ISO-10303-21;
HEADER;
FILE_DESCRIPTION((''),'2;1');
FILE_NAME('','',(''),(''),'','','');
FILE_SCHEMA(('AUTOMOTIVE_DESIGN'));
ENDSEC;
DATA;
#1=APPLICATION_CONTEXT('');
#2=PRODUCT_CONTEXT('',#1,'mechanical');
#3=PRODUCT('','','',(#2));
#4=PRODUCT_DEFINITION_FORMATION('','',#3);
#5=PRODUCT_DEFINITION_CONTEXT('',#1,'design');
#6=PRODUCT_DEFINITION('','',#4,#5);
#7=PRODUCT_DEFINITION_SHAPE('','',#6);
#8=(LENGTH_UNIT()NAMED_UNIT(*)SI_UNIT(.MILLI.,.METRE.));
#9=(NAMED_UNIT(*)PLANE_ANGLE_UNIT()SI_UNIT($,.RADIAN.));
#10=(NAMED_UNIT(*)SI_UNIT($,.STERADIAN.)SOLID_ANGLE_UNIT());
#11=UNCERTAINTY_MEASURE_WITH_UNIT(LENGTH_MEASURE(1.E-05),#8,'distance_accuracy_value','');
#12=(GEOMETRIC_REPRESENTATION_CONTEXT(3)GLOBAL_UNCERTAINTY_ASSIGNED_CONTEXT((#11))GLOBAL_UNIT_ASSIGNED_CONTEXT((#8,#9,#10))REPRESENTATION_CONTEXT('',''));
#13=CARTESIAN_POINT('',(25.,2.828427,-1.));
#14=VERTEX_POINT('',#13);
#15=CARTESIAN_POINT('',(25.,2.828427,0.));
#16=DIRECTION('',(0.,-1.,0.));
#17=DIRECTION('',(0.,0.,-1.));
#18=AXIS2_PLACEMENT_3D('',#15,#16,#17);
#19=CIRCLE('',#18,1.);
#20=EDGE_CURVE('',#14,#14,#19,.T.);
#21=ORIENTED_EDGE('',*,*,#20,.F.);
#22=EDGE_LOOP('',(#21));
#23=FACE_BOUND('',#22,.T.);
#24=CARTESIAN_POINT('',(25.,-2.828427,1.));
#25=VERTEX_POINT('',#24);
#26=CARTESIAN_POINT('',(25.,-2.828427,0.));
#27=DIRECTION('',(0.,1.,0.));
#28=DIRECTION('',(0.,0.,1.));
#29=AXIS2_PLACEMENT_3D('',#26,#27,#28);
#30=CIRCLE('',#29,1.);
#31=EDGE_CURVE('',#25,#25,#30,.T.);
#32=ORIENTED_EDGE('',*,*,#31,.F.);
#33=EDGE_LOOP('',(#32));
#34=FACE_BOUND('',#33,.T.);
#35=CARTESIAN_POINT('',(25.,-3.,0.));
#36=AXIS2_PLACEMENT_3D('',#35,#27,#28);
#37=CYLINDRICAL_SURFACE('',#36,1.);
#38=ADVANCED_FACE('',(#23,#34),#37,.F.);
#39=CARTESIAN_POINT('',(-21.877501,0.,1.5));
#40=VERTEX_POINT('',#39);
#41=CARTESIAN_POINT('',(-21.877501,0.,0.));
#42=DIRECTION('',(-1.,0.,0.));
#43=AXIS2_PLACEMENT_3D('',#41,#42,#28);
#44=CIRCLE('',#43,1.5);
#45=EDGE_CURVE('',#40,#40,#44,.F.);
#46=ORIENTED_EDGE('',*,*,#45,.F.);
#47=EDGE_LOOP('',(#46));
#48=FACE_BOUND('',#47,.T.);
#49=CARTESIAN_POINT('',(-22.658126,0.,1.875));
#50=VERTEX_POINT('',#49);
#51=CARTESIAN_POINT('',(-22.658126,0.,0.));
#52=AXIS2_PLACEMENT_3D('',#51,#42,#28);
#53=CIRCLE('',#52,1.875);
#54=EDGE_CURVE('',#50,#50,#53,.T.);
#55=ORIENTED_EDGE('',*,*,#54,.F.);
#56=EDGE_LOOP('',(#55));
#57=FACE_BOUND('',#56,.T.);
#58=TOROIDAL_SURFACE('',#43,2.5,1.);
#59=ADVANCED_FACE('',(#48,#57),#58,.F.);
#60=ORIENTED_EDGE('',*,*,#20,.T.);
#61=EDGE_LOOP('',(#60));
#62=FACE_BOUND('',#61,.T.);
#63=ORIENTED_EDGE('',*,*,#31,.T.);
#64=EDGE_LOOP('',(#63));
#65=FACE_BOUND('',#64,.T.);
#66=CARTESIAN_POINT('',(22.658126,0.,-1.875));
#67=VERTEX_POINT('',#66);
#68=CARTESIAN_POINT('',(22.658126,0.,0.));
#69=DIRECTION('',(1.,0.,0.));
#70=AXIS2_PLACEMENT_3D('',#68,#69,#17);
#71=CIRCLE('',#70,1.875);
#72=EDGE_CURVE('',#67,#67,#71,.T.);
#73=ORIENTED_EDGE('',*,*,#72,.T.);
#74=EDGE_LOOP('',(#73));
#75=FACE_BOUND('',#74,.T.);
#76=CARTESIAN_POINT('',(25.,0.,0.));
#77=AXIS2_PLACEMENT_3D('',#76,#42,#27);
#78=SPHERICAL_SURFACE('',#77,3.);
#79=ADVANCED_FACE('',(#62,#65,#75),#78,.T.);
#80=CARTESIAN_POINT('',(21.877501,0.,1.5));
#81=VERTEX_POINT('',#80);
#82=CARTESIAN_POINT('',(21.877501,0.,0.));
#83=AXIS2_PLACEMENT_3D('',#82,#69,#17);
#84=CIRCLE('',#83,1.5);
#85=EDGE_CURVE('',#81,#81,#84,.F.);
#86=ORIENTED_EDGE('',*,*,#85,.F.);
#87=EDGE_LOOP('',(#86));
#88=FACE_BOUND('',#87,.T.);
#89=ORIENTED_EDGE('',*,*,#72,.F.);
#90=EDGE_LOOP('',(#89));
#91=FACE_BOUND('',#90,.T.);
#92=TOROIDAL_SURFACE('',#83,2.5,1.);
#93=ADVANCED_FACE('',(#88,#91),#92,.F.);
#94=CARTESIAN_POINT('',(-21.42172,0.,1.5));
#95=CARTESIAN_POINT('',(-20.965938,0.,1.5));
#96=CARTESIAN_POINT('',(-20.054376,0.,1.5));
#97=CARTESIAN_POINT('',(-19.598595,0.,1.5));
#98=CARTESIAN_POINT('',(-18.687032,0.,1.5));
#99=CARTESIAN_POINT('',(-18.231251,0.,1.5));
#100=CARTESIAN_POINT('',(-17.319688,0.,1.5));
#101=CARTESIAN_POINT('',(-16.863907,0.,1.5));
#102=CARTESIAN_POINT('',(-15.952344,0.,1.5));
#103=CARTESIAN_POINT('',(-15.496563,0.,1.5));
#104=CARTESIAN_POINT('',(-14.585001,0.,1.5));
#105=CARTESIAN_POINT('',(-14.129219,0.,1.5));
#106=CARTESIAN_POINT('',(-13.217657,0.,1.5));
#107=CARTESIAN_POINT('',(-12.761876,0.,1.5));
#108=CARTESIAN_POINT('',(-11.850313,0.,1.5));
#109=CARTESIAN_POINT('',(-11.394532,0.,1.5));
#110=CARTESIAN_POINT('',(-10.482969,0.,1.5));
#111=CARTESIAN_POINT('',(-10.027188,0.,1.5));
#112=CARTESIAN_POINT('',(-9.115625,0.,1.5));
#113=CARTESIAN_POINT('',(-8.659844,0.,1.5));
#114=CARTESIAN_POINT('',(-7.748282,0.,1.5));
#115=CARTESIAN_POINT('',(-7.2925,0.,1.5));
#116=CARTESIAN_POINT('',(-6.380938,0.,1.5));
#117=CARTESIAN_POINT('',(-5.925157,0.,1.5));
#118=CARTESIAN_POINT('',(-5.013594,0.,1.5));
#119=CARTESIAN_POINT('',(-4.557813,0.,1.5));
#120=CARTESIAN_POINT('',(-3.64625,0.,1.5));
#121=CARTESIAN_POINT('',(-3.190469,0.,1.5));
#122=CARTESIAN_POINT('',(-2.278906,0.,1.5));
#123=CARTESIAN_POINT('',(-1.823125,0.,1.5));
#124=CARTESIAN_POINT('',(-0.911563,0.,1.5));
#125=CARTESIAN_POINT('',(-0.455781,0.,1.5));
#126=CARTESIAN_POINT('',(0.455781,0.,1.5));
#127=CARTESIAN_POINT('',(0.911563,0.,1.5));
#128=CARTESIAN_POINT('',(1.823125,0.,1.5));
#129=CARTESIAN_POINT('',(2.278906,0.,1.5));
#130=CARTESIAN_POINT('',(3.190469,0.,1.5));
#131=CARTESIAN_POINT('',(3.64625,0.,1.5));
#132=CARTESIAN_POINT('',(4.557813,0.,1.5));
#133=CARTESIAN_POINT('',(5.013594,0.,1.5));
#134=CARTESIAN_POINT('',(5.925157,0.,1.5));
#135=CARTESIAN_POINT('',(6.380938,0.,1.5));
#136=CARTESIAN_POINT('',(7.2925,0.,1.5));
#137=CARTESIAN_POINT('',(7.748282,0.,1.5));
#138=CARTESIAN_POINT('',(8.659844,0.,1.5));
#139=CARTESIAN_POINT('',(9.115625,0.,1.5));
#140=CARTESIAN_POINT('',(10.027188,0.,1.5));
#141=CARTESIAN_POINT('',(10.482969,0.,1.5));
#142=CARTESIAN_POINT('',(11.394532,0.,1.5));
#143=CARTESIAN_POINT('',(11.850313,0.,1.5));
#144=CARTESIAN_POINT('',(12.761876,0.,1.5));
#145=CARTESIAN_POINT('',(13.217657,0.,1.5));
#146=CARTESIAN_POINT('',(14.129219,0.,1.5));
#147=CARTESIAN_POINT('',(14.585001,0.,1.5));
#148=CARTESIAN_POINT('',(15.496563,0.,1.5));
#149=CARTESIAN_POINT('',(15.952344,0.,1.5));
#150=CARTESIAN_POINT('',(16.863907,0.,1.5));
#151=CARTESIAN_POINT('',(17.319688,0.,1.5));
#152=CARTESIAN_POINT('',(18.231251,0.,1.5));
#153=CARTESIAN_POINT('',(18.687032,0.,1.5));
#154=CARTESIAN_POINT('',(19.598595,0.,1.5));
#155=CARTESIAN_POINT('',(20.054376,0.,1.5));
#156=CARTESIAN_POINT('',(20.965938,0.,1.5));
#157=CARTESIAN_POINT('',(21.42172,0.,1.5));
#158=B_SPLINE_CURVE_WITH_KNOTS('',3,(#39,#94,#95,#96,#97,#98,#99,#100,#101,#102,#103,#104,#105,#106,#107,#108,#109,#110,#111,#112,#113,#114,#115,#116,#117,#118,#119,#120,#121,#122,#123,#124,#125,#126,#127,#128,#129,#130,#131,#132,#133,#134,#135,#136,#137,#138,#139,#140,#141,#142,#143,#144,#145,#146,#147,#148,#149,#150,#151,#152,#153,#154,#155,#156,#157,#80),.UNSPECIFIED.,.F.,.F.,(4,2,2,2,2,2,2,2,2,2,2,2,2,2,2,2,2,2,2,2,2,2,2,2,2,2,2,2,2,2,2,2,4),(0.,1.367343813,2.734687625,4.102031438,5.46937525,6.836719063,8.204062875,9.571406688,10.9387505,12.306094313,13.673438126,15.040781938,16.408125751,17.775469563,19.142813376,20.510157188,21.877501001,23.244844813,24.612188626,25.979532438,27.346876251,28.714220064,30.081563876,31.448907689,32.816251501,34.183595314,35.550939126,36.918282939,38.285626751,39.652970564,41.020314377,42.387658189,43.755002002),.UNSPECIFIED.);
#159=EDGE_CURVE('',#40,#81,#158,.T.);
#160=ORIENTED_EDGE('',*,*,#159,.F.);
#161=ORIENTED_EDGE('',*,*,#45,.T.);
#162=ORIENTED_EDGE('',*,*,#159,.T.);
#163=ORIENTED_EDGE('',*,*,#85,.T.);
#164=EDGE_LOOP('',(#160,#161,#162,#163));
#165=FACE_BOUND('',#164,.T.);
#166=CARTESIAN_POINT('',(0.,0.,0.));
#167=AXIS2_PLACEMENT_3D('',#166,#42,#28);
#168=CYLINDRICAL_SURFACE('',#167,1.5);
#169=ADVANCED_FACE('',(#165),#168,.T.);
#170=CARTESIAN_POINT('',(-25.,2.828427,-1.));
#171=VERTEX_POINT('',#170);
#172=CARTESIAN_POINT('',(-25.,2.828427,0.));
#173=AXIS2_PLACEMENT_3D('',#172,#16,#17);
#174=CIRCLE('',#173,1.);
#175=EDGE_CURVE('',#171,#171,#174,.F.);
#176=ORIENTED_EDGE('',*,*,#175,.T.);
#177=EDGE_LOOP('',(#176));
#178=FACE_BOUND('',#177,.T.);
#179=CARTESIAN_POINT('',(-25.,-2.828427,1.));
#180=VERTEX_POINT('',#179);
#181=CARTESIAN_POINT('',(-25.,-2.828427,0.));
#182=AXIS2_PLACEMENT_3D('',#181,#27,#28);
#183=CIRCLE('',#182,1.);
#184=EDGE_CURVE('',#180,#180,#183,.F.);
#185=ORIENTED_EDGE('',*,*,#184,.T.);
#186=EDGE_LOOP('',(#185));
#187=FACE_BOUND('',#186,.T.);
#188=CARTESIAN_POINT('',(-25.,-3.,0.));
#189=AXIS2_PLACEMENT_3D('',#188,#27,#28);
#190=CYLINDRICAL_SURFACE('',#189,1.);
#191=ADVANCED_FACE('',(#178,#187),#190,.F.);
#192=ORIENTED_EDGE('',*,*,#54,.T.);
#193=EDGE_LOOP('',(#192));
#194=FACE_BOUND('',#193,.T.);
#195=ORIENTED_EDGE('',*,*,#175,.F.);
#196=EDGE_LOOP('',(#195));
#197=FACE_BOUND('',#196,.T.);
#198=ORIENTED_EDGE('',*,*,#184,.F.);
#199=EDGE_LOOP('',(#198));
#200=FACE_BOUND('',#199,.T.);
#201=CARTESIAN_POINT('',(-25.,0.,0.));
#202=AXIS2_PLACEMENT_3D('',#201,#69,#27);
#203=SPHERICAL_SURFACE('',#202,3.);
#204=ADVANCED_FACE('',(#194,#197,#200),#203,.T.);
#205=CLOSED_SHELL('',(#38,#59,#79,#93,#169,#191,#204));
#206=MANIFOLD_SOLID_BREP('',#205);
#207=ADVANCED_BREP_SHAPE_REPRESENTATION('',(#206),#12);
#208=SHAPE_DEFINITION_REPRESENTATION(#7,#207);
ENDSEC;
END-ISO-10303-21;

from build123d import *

# Parameters (mm, degrees)
SKETCH1_W          = 23
SKETCH1_H          = 1.5
SKETCH2_R          = 1
CUT_EXTRUDE1_DEPTH = 29.792360098
FILLET1_R          = 1
FILLET2_R          = 1


with BuildPart() as part:
    # Sketch1 → Revolve2 (revolve)
    with BuildSketch(Plane.XY, mode=Mode.PRIVATE) as revolve2_sk:
        with BuildLine():
            Line((23, 1.5), (23, 0))
            Line((23, 0), (28, 0))
            ThreePointArc((28, 0), (25.776457135, 2.897777479), (22.401923789, 1.5))
            Line((22.401923789, 1.5), (23, 1.5))
        make_face()
        with Locations((11.5, 0.75)):
            Rectangle(SKETCH1_W, SKETCH1_H)
    revolve2 = revolve(revolve2_sk.sketch.rotate(Axis((0, 0, 0), (1, 0, 0)), 90), axis=Axis((0, 0, 0), (1, 0, 0)))

    # Sketch2 → Cut-Extrude1 (cut, through all)
    with BuildSketch(Plane(origin=(0, 3, 0), x_dir=(1, 0, 0), z_dir=(0, 1, 0))):
        with Locations(Location((25, 0, 0), (0, 0, 270))):
            Circle(SKETCH2_R)
    cut_extrude1 = extrude(amount=-CUT_EXTRUDE1_DEPTH, mode=Mode.SUBTRACT)

    # Mirror1: Revolve2, Cut-Extrude1 across plane
    add(revolve2.mirror(Plane.ZY))
    add(cut_extrude1.mirror(Plane.ZY), mode=Mode.SUBTRACT)

    # Fillet1
    fillet1_edges = [part.edges().sort_by_distance(p)[0] for p in [
        (22.401923789, 0, -1.5),
    ]]
    fillet(fillet1_edges, radius=FILLET1_R)

    # Fillet2
    fillet2_edges = [part.edges().sort_by_distance(p)[0] for p in [
        (-22.401923789, 0, -1.5),
    ]]
    fillet(fillet2_edges, radius=FILLET2_R)


solid = part.part
